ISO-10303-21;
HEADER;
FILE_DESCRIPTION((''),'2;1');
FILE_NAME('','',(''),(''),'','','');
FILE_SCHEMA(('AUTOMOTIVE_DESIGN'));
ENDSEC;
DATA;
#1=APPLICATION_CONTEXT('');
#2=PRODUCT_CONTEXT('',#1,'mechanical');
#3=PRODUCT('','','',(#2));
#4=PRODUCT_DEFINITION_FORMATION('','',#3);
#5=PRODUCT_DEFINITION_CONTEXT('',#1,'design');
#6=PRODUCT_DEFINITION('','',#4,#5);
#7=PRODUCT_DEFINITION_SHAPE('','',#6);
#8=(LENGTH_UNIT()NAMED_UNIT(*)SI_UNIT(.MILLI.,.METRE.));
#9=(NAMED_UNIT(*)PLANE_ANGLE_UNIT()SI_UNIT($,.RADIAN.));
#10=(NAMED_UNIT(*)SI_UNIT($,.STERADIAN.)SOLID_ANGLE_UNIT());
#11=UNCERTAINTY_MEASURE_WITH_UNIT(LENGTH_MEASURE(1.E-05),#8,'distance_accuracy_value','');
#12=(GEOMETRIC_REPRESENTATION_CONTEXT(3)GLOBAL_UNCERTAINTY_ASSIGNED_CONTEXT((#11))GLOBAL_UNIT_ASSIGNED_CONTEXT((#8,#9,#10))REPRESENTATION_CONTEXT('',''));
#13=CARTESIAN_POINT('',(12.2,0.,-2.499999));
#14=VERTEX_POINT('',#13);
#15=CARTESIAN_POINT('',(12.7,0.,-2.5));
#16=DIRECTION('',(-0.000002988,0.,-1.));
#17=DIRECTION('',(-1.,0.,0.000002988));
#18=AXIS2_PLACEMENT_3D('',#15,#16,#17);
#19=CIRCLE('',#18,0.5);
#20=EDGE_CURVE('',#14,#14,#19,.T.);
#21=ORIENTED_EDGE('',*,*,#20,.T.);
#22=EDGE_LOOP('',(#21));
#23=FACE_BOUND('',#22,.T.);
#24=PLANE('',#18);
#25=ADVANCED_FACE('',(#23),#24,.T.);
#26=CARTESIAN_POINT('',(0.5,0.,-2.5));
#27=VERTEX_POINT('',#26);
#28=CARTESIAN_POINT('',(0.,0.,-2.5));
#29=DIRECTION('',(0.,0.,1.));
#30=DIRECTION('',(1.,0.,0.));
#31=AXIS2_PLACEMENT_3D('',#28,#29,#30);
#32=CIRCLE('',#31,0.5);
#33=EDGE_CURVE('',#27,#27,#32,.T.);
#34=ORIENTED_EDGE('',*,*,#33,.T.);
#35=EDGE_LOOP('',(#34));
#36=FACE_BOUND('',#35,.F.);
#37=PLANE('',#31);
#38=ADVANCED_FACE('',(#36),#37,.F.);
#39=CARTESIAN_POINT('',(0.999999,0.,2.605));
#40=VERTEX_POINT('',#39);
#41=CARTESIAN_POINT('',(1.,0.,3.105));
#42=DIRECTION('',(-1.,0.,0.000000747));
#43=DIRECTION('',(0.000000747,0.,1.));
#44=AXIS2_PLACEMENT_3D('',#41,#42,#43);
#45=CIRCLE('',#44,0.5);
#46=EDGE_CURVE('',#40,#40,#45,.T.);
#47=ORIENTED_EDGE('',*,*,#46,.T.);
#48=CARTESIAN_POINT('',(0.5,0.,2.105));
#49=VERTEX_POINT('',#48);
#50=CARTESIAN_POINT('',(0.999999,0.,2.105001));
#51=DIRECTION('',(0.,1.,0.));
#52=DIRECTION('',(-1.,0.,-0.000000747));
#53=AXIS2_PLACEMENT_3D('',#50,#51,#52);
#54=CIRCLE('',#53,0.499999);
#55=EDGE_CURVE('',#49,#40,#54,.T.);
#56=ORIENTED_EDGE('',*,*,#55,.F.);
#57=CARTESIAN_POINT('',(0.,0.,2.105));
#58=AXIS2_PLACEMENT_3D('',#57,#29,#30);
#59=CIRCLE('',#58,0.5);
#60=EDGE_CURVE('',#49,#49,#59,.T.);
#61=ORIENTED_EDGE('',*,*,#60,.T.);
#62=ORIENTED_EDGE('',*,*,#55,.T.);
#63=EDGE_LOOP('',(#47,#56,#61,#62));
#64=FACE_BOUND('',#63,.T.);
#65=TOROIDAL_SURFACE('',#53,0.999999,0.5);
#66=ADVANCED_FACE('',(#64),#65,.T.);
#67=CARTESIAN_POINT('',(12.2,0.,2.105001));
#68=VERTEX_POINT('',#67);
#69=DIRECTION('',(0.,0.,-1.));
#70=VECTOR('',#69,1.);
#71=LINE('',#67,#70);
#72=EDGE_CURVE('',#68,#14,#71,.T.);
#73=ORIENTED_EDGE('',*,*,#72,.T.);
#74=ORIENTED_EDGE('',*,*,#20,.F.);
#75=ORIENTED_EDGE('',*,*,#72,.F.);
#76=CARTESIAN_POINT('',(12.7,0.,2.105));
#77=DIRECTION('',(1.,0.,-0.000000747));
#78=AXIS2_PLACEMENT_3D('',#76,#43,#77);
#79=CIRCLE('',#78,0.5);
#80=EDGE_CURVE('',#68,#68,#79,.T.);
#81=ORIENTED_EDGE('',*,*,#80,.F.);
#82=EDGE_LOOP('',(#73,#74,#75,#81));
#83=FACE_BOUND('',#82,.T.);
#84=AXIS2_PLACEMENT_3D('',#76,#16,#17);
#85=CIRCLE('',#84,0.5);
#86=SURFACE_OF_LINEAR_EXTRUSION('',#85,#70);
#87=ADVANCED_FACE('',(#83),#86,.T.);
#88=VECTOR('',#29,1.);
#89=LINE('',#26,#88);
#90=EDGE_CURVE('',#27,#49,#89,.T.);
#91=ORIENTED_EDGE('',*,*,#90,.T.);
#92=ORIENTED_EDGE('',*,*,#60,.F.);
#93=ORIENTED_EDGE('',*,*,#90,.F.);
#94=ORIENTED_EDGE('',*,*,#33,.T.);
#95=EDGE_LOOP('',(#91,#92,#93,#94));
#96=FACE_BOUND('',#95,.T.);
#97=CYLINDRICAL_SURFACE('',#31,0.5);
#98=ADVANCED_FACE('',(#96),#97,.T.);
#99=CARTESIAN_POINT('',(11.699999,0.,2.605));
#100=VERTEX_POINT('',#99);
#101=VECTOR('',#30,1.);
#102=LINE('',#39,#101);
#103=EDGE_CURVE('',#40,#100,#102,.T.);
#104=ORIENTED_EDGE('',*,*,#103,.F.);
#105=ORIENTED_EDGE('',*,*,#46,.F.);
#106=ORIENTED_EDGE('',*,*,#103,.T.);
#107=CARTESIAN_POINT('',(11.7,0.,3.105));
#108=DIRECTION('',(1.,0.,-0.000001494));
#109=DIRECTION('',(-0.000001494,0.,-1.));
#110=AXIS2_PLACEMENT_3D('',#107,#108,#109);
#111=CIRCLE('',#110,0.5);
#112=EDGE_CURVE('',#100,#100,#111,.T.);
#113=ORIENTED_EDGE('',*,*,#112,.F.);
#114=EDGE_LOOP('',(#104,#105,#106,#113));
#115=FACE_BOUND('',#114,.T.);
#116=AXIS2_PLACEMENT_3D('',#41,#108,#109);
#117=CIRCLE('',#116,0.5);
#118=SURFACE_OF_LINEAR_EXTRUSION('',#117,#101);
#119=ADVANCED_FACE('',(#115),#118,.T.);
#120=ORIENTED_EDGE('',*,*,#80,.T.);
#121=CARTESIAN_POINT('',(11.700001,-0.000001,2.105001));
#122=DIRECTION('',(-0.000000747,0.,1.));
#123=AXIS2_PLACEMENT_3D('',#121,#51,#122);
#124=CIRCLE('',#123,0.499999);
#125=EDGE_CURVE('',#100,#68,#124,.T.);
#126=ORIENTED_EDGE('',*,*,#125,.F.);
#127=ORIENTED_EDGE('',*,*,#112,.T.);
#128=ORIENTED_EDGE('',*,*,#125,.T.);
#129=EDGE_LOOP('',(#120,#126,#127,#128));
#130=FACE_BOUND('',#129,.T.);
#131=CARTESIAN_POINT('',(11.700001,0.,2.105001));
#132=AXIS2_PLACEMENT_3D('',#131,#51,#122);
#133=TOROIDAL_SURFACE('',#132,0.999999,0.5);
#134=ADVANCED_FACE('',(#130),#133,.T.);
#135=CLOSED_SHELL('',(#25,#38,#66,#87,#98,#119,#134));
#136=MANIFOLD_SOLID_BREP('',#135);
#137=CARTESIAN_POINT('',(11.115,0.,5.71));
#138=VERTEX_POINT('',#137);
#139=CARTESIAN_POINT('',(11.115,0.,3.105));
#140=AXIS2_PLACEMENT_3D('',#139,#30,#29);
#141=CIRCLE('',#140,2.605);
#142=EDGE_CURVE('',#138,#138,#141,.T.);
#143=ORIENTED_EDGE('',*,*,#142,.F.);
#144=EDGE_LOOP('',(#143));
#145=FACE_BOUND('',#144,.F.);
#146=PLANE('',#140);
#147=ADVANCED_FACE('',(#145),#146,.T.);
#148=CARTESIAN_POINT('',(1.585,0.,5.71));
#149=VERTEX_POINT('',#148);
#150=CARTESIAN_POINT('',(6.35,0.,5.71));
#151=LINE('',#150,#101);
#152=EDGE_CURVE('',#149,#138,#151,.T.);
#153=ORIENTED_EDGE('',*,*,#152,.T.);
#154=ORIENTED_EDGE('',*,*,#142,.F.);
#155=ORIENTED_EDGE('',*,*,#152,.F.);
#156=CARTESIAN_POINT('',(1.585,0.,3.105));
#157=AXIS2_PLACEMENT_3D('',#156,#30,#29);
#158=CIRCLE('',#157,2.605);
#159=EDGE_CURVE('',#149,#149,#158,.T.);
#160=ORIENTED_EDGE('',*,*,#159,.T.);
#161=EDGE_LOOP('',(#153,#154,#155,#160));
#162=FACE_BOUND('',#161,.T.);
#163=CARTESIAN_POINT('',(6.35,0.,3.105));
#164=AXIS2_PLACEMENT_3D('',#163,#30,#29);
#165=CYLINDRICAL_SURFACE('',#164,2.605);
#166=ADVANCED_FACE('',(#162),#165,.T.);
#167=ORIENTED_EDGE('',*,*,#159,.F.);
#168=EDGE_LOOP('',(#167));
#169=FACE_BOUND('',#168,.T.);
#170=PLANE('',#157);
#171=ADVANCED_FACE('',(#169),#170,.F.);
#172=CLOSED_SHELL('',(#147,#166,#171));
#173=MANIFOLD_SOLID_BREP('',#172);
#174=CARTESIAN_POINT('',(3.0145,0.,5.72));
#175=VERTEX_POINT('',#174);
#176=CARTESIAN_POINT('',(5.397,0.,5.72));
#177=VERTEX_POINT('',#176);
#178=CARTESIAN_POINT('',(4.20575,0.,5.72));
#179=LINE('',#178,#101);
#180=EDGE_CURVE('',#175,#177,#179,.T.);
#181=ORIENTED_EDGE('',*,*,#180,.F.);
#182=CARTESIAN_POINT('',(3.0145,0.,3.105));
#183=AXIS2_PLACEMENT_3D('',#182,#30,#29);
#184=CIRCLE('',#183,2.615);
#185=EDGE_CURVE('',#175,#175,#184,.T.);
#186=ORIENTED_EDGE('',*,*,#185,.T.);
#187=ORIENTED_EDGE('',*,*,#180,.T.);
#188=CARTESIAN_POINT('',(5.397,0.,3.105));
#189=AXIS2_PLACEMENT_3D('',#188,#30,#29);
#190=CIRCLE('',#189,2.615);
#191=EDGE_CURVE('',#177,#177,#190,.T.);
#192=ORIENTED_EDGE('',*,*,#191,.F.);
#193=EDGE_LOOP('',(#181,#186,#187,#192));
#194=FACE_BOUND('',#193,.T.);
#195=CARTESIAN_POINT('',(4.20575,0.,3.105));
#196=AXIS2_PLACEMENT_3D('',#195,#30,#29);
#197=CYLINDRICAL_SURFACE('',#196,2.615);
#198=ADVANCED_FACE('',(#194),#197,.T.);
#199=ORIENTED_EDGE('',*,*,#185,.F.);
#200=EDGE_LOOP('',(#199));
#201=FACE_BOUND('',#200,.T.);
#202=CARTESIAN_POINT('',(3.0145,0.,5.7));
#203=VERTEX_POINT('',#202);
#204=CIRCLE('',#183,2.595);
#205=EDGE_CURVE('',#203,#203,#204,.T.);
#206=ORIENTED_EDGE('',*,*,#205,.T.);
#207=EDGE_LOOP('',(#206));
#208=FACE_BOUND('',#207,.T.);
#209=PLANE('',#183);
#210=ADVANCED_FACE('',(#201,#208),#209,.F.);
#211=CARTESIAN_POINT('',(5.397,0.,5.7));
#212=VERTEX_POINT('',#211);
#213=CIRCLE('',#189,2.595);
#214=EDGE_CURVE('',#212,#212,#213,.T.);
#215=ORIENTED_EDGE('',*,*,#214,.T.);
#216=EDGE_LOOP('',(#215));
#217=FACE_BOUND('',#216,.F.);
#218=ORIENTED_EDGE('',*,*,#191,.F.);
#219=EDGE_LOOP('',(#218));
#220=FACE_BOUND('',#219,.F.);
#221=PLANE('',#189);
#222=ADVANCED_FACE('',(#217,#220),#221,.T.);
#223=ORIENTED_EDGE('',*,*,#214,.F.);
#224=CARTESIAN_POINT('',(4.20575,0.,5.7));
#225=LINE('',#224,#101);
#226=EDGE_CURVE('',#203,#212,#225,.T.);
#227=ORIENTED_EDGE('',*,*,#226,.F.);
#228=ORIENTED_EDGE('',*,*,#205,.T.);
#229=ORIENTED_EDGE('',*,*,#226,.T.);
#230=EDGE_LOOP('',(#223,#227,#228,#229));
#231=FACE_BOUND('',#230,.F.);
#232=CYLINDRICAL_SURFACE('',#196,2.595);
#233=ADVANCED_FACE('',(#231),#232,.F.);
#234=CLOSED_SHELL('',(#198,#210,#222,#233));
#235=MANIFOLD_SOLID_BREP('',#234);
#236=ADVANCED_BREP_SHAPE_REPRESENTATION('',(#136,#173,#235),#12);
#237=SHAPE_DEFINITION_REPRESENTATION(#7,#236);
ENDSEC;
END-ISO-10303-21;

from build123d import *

# Parameters (mm, degrees)
SKETCH002_W = 9.53
SKETCH002_H = 2.605
SKETCH003_W = 2.3825
SKETCH003_H = 0.02
SKETCH_R    = 0.5


with BuildPart() as revolution:
    # Sketch002 → Revolution (revolve)
    with BuildSketch(Plane.XZ):
        with Locations((6.35, 4.4075)):
            Rectangle(SKETCH002_W, SKETCH002_H)
    revolve(axis=Axis((1.585, 0, 3.105), (1, 0, 0)))


with BuildPart() as revolution001:
    # Sketch003 → Revolution001 (revolve)
    with BuildSketch(Plane.XZ):
        with Locations((4.20575, 5.71)):
            Rectangle(SKETCH003_W, SKETCH003_H)
    revolve(axis=Axis((0, 0, 3.105), (1, 0, 0)))


with BuildPart() as sweep_body:
    # Sweep: sweep along a path in Sketch001
    with BuildLine(Plane.XZ) as sweep_path:
        Line((0, -2.5), (0, 2.105))
        ThreePointArc((0, 2.105), (0.292893, 2.812107), (1, 3.105))
        Line((1, 3.105), (11.7, 3.105))
        ThreePointArc((11.7, 3.105), (12.407107, 2.812107), (12.7, 2.105))
        Line((12.7, 2.105), (12.7, -2.5))
    # Sketch → Sweep (sweep)
    with BuildSketch(Plane.XY.offset(-2)):
        Circle(SKETCH_R)
    sweep(path=sweep_path.line)


solid = Compound([revolution.part, revolution001.part, sweep_body.part])
